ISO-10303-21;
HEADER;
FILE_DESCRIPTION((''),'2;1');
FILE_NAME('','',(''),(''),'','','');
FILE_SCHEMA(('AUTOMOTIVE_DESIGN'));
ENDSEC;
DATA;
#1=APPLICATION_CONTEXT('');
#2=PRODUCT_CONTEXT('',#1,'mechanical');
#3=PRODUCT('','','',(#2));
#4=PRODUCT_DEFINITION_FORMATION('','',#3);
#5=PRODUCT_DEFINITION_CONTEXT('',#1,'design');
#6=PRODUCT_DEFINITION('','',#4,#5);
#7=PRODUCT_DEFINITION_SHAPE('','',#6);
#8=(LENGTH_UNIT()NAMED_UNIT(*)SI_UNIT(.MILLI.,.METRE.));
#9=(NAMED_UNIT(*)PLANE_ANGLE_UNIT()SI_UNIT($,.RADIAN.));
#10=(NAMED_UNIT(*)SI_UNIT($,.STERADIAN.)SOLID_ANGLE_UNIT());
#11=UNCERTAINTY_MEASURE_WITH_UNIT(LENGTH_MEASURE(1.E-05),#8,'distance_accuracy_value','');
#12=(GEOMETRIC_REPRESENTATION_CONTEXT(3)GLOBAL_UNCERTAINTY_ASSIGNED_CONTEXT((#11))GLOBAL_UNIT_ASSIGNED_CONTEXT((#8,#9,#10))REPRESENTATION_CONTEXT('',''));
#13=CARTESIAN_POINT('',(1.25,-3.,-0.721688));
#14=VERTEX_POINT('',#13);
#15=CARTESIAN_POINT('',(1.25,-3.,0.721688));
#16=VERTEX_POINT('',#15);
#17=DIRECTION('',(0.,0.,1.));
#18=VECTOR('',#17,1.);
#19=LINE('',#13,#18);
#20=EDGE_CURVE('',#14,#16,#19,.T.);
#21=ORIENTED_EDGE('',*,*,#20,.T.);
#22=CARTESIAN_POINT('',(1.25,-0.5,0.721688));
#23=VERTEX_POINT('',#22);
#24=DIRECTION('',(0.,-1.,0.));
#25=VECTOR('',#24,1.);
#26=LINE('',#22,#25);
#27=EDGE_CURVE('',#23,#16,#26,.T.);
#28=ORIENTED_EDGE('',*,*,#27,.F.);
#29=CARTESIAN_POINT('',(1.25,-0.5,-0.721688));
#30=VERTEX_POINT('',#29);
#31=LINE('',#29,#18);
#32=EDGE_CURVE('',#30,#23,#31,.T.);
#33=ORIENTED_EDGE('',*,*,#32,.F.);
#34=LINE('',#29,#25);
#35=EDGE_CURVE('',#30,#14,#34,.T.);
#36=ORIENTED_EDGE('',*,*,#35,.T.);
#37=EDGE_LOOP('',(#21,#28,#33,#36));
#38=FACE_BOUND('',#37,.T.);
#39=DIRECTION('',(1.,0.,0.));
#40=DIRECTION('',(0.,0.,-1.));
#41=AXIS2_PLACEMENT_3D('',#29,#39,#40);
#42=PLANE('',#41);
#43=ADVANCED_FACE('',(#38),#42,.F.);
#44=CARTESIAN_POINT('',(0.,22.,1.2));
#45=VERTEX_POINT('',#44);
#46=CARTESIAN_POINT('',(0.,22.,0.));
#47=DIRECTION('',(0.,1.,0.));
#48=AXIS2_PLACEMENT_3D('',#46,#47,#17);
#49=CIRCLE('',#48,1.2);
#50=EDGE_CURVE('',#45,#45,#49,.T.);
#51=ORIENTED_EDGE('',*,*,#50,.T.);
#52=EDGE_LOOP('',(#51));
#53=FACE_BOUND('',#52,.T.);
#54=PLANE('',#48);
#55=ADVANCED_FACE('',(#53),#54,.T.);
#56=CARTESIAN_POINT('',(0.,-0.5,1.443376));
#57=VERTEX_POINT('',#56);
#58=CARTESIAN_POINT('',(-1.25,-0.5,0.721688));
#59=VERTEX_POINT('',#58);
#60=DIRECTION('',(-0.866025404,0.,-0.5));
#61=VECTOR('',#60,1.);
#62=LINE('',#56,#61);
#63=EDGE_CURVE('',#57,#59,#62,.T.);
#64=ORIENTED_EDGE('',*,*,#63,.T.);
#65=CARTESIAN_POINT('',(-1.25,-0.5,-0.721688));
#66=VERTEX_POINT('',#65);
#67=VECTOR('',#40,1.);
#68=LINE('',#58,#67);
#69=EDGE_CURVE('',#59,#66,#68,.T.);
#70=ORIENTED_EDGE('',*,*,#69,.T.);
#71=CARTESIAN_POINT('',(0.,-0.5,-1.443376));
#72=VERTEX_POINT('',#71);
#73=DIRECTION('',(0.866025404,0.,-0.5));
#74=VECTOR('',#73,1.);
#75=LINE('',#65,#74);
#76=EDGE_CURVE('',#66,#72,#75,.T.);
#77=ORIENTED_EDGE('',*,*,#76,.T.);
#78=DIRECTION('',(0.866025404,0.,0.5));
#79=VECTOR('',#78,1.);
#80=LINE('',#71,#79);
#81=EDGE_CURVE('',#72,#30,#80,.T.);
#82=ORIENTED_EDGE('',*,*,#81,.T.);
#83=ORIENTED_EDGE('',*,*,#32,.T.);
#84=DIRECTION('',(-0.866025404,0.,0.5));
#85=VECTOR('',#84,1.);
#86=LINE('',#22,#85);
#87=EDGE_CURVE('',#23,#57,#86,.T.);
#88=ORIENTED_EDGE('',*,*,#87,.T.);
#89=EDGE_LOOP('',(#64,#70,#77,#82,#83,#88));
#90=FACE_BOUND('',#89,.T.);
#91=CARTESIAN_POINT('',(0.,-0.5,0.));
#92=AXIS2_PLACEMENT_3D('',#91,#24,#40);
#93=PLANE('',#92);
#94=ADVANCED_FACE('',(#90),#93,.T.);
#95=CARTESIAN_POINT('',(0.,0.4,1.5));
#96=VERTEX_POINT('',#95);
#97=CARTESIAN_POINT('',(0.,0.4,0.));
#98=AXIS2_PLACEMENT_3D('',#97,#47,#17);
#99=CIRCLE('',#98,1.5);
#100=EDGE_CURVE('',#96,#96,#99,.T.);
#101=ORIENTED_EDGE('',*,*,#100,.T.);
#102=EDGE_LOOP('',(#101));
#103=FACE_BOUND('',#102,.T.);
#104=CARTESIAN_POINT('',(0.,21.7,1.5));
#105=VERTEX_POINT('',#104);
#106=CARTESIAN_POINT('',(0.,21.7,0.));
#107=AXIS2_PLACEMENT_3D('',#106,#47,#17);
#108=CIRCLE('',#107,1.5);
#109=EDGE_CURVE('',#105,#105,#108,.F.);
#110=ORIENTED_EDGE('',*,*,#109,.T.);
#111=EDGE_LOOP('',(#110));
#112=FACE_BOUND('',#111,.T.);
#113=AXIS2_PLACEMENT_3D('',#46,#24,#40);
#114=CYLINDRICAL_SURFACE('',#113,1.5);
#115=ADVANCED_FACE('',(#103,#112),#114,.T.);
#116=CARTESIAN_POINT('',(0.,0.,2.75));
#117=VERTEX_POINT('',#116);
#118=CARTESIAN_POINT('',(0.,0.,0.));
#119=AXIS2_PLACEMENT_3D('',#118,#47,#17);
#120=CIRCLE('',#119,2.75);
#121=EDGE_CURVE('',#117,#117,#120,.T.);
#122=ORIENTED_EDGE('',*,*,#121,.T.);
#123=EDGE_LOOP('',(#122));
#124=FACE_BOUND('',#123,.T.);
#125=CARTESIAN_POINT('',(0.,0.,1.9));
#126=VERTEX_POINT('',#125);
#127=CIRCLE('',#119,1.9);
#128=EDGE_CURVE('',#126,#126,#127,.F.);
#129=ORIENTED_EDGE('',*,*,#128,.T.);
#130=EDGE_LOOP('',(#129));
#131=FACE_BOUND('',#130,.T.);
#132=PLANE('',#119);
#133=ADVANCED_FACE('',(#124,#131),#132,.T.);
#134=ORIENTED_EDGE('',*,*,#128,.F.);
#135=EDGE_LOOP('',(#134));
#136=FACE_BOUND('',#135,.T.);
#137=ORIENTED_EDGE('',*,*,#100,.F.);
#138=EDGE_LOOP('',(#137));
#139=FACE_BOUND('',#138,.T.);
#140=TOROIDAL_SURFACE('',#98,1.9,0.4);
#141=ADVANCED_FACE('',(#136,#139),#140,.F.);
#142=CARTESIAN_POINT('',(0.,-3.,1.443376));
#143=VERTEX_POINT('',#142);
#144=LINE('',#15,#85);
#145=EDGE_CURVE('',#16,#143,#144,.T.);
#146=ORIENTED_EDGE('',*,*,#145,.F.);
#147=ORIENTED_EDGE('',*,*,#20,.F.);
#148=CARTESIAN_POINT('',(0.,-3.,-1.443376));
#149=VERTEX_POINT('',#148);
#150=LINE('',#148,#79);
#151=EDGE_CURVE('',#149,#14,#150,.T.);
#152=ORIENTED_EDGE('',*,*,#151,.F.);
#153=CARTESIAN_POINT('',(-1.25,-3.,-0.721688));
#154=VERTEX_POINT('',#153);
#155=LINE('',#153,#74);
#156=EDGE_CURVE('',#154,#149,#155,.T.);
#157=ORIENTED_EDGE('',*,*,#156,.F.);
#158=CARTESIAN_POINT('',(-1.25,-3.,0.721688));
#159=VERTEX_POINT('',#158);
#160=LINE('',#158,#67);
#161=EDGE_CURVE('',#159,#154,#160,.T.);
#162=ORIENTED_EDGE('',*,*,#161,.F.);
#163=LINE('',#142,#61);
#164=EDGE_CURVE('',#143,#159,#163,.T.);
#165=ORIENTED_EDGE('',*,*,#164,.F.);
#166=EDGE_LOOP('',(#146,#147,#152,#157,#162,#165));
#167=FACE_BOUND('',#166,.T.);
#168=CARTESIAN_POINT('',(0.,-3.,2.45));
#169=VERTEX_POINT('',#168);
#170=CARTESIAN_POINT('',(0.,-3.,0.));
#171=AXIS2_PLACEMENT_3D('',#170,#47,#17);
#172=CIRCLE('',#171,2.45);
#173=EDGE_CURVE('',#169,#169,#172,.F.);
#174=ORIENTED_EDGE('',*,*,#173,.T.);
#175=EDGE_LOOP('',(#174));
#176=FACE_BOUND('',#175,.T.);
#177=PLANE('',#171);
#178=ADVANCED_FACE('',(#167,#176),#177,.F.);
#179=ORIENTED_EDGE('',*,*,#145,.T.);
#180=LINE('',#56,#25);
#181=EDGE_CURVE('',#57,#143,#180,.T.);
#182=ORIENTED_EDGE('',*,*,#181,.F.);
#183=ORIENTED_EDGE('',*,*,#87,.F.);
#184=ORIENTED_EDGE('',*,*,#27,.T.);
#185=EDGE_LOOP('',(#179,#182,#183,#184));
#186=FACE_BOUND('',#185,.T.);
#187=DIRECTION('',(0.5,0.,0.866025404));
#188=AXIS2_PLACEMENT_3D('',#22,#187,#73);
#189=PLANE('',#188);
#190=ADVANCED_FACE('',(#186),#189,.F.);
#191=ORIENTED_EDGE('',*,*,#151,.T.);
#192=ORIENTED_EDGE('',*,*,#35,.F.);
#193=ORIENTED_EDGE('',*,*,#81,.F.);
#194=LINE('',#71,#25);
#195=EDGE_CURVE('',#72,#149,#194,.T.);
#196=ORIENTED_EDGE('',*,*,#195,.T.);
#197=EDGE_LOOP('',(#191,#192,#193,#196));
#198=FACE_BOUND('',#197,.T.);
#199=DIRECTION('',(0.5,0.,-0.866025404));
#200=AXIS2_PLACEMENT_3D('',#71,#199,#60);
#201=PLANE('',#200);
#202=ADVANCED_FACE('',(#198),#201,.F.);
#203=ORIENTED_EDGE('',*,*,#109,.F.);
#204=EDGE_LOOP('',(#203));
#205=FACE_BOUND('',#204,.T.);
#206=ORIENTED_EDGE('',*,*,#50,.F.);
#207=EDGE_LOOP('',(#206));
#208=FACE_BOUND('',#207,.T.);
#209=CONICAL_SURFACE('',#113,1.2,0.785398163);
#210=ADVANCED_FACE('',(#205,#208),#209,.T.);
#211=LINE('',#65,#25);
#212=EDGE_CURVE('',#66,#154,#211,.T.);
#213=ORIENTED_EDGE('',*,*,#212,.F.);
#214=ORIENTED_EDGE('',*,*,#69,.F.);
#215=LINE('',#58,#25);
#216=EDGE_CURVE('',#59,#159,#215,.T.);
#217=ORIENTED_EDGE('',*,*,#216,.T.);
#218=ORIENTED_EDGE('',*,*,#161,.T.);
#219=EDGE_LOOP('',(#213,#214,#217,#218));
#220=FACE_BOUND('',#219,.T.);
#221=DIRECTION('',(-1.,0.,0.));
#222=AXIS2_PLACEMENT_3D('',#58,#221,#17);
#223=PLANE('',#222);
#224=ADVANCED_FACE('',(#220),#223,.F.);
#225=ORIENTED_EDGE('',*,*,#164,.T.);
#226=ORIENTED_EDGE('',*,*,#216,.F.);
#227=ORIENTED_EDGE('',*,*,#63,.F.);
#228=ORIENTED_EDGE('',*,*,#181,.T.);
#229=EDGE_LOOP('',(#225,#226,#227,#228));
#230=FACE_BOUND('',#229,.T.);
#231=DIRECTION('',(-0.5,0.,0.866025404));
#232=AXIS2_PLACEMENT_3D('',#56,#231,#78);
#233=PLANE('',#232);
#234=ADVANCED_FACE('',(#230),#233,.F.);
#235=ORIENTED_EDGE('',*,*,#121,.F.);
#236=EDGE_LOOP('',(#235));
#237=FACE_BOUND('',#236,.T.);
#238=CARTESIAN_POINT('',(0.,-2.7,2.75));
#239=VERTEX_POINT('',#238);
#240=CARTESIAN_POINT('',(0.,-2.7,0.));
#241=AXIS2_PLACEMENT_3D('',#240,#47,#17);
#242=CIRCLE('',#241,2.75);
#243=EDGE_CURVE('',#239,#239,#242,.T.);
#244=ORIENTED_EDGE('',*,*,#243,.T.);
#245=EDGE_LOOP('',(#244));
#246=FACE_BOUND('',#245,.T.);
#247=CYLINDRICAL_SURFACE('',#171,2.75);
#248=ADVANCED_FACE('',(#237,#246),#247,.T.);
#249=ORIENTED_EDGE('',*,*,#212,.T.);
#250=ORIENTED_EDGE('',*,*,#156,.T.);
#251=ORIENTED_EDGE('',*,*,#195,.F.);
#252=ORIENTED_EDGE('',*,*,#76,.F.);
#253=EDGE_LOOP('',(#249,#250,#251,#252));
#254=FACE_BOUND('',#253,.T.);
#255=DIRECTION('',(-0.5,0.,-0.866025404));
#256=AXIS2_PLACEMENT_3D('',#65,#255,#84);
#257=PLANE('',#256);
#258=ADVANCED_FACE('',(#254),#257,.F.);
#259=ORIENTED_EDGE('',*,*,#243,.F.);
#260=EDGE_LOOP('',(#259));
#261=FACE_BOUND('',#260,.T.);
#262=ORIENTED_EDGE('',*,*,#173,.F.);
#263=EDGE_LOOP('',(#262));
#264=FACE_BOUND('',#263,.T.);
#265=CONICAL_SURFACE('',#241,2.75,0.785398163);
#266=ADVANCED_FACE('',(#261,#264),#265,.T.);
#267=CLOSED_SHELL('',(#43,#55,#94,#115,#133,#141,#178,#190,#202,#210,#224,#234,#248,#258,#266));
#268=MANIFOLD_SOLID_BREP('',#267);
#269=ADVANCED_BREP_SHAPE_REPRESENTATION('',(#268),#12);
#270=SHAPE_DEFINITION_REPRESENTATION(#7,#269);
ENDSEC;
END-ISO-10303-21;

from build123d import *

# Parameters (mm, degrees)
SKETCH2_R           = 1.5
BOSS_EXTRUDE1_DEPTH = 22
SKETCH3_R           = 2.75
BOSS_EXTRUDE2_DEPTH = 3
FILLET1_R           = 0.4
CHAMFER1_SIZE       = 0.3
CUT_EXTRUDE1_DEPTH  = 2.5


with BuildPart() as part:
    # Sketch2 → Boss-Extrude1 (new body)
    with BuildSketch(Plane(origin=(0, 0, 0), x_dir=(1, 0, 0), z_dir=(0, 1, 0))):
        with Locations(Location((0, 0, 0), (0, 0, 270))):
            Circle(SKETCH2_R)
    extrude(amount=BOSS_EXTRUDE1_DEPTH)

    # Sketch3 → Boss-Extrude2 (add)
    with BuildSketch(Plane(origin=(0, 0, 0), x_dir=(1, 0, 0), z_dir=(0, 1, 0))):
        with Locations(Location((0, 0, 0), (0, 0, 270))):
            Circle(SKETCH3_R)
    extrude(amount=-BOSS_EXTRUDE2_DEPTH)

    # Fillet1
    fillet1_edges = [part.edges().sort_by_distance(p)[0] for p in [
        (0, 0, -1.5),
    ]]
    fillet(fillet1_edges, radius=FILLET1_R)

    # Chamfer1
    chamfer1_edges = [part.edges().sort_by_distance(p)[0] for p in [
        (0, 22, -1.5),
        (0, -3, -2.75),
    ]]
    chamfer(chamfer1_edges, length=CHAMFER1_SIZE)

    # Sketch4 → Cut-Extrude1 (cut)
    with BuildSketch(Plane.XZ.offset(3)):
        Polygon((0, 1.443375673), (-1.25, 0.721687836), (-1.25, -0.721687836), (0, -1.443375673), (1.25, -0.721687836), (1.25, 0.721687836), align=None)
    extrude(amount=-CUT_EXTRUDE1_DEPTH, mode=Mode.SUBTRACT)


solid = part.part
